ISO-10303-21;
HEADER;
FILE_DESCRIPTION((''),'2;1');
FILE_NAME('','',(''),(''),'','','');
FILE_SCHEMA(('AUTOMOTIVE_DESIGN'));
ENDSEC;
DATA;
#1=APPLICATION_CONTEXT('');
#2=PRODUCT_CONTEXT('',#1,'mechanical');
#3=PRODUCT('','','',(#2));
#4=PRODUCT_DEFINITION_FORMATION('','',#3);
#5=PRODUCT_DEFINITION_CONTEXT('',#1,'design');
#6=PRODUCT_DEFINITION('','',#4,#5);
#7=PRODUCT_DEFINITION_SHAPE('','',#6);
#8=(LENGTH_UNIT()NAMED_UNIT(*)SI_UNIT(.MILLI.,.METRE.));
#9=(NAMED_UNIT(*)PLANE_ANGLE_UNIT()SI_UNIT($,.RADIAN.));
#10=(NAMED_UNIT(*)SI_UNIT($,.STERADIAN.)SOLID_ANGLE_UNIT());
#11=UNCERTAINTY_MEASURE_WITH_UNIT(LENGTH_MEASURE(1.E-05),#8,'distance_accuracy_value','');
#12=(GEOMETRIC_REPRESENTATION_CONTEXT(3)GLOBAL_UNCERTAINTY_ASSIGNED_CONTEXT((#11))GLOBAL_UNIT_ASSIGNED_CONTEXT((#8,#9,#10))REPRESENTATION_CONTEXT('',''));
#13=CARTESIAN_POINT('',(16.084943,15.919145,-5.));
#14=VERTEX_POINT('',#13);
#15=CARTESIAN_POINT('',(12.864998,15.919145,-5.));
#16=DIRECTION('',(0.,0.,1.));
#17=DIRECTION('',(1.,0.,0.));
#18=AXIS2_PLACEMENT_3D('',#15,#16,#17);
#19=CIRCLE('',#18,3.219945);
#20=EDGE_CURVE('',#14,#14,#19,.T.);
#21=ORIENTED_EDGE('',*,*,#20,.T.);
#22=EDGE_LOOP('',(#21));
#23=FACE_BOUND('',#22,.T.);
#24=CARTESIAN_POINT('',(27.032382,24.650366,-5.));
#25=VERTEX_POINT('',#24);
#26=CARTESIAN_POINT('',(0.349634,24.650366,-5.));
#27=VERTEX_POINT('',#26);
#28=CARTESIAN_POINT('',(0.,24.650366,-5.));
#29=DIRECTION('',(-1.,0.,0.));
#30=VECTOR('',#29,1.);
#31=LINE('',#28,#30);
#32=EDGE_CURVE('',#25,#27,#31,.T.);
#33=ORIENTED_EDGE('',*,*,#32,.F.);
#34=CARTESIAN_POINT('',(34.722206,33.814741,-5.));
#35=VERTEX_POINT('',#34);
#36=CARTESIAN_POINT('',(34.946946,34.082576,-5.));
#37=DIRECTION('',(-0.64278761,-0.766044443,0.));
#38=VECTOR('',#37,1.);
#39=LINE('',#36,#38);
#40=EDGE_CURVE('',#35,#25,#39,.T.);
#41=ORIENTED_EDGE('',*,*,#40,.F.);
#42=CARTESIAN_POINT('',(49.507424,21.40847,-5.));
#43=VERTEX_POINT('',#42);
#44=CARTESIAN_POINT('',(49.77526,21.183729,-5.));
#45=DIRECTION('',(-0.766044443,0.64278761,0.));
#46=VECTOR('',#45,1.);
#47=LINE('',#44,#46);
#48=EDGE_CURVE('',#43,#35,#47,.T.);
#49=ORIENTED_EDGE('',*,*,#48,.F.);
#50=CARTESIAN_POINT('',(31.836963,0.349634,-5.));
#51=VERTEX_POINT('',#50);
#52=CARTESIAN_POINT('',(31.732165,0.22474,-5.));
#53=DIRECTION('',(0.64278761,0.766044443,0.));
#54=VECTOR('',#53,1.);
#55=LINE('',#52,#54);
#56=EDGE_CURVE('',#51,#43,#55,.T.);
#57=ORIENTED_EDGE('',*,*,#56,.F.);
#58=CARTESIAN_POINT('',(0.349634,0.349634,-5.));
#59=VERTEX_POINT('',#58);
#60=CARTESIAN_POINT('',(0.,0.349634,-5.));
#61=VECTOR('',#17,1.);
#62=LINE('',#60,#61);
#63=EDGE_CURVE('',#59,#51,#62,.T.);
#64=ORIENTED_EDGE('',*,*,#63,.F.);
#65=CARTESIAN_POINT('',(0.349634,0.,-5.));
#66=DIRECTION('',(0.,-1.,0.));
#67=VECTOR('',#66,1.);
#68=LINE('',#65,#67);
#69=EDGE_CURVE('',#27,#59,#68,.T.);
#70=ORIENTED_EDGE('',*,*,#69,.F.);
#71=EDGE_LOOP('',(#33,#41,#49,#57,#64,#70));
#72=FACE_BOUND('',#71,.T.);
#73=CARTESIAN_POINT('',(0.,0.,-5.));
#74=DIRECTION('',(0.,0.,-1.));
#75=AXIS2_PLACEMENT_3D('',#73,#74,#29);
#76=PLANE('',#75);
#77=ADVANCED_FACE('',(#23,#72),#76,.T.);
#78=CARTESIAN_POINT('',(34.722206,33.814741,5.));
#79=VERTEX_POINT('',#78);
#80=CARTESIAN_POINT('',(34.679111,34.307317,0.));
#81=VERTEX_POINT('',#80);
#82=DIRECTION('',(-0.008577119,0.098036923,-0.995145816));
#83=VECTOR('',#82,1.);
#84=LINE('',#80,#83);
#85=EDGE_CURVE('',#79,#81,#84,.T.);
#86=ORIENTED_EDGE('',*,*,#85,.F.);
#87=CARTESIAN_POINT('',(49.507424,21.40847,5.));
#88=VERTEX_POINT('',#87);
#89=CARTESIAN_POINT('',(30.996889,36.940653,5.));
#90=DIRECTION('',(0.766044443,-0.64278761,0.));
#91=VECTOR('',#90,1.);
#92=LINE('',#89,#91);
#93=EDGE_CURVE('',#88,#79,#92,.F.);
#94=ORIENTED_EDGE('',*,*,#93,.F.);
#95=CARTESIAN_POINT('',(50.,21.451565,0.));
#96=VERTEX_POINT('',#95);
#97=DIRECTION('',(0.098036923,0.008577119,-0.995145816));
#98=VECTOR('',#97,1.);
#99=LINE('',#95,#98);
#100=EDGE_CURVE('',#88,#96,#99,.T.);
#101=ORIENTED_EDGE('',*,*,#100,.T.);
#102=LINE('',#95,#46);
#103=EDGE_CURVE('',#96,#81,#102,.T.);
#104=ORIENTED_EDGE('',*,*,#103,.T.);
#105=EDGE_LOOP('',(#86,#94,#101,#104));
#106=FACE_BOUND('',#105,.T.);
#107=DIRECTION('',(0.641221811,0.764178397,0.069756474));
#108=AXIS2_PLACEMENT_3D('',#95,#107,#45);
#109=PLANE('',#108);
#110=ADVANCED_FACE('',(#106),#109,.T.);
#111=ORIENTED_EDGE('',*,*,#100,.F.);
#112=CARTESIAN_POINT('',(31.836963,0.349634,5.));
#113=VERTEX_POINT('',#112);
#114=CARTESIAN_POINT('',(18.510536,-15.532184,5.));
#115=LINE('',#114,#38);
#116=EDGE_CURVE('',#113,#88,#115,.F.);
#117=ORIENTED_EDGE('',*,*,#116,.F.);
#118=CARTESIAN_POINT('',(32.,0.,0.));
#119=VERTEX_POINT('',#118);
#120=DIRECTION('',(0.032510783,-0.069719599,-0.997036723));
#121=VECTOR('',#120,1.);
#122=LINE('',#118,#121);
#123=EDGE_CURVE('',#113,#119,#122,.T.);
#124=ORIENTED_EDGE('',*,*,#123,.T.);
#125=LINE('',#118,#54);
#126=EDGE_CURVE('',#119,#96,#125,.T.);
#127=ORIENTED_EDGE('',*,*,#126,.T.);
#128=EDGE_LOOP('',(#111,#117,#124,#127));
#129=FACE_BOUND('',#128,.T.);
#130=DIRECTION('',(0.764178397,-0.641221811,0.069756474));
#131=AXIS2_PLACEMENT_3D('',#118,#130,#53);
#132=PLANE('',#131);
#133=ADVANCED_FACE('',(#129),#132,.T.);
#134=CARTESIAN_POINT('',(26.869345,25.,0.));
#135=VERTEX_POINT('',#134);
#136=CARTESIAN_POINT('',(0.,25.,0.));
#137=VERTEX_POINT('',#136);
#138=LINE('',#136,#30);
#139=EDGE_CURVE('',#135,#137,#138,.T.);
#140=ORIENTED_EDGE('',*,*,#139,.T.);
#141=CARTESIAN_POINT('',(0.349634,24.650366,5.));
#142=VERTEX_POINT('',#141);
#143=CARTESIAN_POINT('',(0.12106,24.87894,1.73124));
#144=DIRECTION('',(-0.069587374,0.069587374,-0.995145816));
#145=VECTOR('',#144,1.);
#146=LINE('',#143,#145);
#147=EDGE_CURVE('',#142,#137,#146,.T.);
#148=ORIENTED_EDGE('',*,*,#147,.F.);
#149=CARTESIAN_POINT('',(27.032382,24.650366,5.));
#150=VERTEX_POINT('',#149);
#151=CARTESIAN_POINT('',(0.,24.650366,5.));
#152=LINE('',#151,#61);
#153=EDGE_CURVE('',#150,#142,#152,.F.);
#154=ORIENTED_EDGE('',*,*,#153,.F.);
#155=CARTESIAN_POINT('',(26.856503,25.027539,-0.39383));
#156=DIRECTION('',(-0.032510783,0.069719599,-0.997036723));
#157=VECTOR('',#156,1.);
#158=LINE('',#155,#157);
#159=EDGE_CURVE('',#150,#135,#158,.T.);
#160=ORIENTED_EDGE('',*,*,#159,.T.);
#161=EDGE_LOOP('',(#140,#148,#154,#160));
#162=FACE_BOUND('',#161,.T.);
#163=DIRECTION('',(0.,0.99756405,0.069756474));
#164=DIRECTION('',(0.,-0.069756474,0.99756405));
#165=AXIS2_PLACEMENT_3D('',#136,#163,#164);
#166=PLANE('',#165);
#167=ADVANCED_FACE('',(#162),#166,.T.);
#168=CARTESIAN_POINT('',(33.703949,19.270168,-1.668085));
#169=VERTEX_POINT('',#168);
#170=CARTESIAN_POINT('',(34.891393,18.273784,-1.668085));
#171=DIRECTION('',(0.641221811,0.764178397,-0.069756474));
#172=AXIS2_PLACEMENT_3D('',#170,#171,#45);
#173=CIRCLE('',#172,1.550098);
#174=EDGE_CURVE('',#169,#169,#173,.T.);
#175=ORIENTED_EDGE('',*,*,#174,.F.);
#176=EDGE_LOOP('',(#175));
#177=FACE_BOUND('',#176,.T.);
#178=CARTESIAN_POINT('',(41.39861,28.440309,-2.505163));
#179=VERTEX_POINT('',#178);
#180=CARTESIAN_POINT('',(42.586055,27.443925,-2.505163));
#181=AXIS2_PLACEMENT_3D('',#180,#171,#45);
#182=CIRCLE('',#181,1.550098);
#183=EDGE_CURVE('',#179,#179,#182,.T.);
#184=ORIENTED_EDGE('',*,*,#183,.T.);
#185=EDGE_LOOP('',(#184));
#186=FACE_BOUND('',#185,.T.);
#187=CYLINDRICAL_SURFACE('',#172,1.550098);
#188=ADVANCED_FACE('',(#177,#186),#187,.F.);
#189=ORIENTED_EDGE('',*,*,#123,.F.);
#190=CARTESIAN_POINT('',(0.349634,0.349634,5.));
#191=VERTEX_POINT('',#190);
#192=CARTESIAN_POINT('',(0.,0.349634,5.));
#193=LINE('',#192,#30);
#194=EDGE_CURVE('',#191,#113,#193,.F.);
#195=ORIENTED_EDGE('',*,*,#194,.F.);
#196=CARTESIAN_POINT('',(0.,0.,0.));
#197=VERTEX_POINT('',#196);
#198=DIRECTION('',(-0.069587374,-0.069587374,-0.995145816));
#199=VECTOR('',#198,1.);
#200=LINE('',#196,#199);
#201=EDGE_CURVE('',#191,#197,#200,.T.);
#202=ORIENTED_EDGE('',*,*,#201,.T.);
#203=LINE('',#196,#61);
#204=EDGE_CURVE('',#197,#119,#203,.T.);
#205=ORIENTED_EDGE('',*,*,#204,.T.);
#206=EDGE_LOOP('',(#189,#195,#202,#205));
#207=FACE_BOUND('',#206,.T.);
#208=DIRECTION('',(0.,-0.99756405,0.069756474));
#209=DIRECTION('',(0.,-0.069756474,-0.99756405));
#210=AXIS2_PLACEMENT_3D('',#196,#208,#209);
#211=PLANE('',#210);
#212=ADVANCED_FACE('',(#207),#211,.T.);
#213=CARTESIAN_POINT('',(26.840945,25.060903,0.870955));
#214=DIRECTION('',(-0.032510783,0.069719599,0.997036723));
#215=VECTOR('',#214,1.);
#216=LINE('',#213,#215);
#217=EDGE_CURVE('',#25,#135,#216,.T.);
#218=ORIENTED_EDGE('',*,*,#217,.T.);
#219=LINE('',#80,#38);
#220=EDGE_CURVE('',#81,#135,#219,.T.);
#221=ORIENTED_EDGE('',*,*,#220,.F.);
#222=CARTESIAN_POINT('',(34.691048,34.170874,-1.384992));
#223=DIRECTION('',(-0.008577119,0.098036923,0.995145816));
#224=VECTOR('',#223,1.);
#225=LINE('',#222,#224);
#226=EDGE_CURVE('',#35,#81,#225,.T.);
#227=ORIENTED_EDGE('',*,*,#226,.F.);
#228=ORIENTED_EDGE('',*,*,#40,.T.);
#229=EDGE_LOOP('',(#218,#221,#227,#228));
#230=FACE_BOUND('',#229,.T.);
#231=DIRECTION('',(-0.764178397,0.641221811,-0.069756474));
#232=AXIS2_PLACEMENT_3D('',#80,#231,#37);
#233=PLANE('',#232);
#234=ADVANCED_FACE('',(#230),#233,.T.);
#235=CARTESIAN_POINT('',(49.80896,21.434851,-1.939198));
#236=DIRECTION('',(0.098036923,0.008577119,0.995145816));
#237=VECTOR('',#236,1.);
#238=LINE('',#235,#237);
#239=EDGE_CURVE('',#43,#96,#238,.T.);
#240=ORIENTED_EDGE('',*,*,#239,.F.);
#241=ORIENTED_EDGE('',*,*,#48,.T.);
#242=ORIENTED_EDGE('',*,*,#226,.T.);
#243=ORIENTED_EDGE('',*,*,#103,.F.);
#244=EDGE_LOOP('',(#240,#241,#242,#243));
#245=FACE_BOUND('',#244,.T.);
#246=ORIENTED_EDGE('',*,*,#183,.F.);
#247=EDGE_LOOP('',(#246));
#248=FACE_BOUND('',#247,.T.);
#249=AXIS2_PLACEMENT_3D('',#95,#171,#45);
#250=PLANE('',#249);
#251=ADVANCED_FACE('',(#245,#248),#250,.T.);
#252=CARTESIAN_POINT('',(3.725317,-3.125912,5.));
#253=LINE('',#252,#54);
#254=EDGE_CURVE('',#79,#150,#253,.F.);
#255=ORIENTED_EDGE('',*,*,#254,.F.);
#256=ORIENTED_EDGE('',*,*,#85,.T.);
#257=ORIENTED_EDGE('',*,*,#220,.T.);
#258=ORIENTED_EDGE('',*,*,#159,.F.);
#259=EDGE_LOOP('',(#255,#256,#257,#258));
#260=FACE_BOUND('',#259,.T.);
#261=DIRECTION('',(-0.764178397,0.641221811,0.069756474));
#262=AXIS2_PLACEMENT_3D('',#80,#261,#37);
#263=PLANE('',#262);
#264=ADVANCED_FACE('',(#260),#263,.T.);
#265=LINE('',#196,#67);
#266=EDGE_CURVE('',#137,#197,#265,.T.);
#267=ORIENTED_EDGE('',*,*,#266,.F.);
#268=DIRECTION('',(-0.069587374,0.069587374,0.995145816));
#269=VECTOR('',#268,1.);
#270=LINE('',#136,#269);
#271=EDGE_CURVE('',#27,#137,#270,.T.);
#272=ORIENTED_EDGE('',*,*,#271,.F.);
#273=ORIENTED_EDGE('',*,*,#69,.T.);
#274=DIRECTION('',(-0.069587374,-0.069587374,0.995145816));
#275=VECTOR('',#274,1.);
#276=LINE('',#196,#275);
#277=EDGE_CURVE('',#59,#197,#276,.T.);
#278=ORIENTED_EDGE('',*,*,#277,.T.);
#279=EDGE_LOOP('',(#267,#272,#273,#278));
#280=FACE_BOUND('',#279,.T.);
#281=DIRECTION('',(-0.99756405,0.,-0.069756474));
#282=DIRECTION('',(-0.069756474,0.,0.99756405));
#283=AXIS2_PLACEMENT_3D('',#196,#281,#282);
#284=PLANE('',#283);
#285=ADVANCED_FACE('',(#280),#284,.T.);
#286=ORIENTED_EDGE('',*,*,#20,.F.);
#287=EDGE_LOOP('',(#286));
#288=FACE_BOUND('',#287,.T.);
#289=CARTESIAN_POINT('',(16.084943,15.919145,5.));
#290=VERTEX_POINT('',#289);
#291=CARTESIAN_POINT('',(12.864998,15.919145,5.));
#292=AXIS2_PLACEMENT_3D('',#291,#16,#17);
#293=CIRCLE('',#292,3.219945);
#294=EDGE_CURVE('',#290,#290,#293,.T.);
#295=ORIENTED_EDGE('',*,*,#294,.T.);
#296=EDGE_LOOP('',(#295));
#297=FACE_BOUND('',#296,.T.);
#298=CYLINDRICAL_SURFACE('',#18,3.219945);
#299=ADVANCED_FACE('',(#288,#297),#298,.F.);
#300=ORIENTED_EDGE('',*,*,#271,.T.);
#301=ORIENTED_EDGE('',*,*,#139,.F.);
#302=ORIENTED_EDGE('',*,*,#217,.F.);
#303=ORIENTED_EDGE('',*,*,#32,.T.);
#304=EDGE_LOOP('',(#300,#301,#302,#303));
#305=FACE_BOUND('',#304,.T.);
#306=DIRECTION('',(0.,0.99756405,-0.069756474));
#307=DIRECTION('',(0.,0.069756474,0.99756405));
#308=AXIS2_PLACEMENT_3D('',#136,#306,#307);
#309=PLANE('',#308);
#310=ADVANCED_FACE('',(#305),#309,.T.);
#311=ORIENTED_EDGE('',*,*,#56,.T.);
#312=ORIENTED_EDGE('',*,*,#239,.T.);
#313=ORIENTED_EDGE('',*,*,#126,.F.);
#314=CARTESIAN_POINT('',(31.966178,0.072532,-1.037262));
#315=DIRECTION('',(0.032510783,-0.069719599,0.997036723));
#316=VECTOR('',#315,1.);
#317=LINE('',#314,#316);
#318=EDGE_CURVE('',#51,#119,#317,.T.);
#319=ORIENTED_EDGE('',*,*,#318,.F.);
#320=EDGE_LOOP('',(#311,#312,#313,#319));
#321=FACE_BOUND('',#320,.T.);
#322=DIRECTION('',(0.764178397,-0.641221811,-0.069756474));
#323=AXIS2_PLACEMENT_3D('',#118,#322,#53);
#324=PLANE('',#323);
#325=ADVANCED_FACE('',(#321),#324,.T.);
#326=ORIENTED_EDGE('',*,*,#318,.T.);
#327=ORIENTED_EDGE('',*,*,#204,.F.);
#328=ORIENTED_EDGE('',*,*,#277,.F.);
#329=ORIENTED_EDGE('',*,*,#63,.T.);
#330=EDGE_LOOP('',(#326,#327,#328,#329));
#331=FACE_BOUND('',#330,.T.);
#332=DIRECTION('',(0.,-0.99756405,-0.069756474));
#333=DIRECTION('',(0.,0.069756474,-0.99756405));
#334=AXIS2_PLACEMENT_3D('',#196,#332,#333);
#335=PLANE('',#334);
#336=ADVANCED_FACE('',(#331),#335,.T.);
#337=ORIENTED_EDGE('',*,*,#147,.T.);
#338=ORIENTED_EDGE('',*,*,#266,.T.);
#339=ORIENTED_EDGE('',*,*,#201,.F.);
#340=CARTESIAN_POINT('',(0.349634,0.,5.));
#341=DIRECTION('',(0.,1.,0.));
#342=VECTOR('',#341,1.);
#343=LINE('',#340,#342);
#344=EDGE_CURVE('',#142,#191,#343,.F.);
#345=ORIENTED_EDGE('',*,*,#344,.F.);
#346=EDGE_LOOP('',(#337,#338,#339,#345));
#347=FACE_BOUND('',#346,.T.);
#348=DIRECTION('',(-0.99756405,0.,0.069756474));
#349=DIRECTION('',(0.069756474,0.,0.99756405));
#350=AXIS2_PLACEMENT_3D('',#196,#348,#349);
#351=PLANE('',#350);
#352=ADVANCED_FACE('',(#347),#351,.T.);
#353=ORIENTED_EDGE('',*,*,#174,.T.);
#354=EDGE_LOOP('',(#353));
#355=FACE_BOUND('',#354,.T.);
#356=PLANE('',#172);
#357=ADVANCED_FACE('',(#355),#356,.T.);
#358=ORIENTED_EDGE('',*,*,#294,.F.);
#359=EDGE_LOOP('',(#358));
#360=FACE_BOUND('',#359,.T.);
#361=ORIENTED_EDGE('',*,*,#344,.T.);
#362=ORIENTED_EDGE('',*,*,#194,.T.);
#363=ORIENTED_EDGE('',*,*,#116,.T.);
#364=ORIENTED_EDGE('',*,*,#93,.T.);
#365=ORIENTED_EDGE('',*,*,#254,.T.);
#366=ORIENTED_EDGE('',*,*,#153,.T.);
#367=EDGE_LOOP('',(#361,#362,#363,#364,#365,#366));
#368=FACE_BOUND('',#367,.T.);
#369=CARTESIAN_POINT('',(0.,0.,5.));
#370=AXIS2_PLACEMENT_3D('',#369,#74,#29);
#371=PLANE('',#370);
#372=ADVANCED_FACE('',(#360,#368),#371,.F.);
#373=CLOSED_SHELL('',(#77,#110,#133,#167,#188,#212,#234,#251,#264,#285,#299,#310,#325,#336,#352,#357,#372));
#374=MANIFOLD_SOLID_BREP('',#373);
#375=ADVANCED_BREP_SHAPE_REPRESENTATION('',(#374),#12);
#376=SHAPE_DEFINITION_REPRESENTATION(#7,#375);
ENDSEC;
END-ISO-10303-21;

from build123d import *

# Parameters (mm, degrees)
BOSS_EXTRUDE1_DEPTH           = 5
BOSS_EXTRUDE1_DRAFT           = 4
BOSS_EXTRUDE1_OTHER_WAY_DEPTH = 5
BOSS_EXTRUDE1_OTHER_WAY_TAPER = 4
SKETCH7_R                     = 3.219945093
CUT_EXTRUDE1_DEPTH            = 10
SKETCH9_R                     = 1.550098449
CUT_EXTRUDE2_DEPTH            = 12


with BuildPart() as part:
    # Sketch4 → Boss-Extrude1 (with draft: the straight prism first)
    with BuildSketch(Plane.XY):
        Polygon((32, 0), (50, 21.451564667), (34.679111138, 34.30731686), (26.869344993, 25), (0, 25), (0, 0), align=None)
    extrude(amount=BOSS_EXTRUDE1_DEPTH)
    # Boss-Extrude1: the draft: its side faces are tilted about the plane it starts from
    boss_extrude1_sides = [part.faces().sort_by_distance(p)[0] for p in [
        (41, 10.725782333, 2.5),
        (42.339555569, 27.879440764, 2.5),
        (30.774228065, 29.65365843, 2.5),
        (13.434672496, 25, 2.5),
        (0, 12.5, 2.5),
        (16, 0, 2.5),
    ]]
    draft(boss_extrude1_sides, Plane.XY, BOSS_EXTRUDE1_DRAFT)

    # Sketch4 → Boss-Extrude1 other way (add)
    with BuildSketch(Plane.XY):
        Polygon((32, 0), (50, 21.451564667), (34.679111138, 34.30731686), (26.869344993, 25), (0, 25), (0, 0), align=None)
    extrude(amount=-BOSS_EXTRUDE1_OTHER_WAY_DEPTH, taper=BOSS_EXTRUDE1_OTHER_WAY_TAPER)

    # Sketch7 → Cut-Extrude1 (cut)
    with BuildSketch(Plane.XY.offset(5)):
        with Locations((12.864998104, 15.91914525)):
            Circle(SKETCH7_R)
    extrude(amount=-CUT_EXTRUDE1_DEPTH, mode=Mode.SUBTRACT)

    # Sketch9 → Cut-Extrude2 (cut)
    with BuildSketch(Plane(origin=(31.069705783, 37.027433488, -3.379974101), x_dir=(0.7673555816021824, -0.6385668755340675, 0.058290280962054304), z_dir=(0.6412218113757333, 0.7641783973568009, -0.06975647374412532))):
        with Locations(Location((15.007838912, 0, 0), (0, 0, 183.349850625))):
            Circle(SKETCH9_R)
    extrude(amount=-CUT_EXTRUDE2_DEPTH, mode=Mode.SUBTRACT)


solid = part.part
